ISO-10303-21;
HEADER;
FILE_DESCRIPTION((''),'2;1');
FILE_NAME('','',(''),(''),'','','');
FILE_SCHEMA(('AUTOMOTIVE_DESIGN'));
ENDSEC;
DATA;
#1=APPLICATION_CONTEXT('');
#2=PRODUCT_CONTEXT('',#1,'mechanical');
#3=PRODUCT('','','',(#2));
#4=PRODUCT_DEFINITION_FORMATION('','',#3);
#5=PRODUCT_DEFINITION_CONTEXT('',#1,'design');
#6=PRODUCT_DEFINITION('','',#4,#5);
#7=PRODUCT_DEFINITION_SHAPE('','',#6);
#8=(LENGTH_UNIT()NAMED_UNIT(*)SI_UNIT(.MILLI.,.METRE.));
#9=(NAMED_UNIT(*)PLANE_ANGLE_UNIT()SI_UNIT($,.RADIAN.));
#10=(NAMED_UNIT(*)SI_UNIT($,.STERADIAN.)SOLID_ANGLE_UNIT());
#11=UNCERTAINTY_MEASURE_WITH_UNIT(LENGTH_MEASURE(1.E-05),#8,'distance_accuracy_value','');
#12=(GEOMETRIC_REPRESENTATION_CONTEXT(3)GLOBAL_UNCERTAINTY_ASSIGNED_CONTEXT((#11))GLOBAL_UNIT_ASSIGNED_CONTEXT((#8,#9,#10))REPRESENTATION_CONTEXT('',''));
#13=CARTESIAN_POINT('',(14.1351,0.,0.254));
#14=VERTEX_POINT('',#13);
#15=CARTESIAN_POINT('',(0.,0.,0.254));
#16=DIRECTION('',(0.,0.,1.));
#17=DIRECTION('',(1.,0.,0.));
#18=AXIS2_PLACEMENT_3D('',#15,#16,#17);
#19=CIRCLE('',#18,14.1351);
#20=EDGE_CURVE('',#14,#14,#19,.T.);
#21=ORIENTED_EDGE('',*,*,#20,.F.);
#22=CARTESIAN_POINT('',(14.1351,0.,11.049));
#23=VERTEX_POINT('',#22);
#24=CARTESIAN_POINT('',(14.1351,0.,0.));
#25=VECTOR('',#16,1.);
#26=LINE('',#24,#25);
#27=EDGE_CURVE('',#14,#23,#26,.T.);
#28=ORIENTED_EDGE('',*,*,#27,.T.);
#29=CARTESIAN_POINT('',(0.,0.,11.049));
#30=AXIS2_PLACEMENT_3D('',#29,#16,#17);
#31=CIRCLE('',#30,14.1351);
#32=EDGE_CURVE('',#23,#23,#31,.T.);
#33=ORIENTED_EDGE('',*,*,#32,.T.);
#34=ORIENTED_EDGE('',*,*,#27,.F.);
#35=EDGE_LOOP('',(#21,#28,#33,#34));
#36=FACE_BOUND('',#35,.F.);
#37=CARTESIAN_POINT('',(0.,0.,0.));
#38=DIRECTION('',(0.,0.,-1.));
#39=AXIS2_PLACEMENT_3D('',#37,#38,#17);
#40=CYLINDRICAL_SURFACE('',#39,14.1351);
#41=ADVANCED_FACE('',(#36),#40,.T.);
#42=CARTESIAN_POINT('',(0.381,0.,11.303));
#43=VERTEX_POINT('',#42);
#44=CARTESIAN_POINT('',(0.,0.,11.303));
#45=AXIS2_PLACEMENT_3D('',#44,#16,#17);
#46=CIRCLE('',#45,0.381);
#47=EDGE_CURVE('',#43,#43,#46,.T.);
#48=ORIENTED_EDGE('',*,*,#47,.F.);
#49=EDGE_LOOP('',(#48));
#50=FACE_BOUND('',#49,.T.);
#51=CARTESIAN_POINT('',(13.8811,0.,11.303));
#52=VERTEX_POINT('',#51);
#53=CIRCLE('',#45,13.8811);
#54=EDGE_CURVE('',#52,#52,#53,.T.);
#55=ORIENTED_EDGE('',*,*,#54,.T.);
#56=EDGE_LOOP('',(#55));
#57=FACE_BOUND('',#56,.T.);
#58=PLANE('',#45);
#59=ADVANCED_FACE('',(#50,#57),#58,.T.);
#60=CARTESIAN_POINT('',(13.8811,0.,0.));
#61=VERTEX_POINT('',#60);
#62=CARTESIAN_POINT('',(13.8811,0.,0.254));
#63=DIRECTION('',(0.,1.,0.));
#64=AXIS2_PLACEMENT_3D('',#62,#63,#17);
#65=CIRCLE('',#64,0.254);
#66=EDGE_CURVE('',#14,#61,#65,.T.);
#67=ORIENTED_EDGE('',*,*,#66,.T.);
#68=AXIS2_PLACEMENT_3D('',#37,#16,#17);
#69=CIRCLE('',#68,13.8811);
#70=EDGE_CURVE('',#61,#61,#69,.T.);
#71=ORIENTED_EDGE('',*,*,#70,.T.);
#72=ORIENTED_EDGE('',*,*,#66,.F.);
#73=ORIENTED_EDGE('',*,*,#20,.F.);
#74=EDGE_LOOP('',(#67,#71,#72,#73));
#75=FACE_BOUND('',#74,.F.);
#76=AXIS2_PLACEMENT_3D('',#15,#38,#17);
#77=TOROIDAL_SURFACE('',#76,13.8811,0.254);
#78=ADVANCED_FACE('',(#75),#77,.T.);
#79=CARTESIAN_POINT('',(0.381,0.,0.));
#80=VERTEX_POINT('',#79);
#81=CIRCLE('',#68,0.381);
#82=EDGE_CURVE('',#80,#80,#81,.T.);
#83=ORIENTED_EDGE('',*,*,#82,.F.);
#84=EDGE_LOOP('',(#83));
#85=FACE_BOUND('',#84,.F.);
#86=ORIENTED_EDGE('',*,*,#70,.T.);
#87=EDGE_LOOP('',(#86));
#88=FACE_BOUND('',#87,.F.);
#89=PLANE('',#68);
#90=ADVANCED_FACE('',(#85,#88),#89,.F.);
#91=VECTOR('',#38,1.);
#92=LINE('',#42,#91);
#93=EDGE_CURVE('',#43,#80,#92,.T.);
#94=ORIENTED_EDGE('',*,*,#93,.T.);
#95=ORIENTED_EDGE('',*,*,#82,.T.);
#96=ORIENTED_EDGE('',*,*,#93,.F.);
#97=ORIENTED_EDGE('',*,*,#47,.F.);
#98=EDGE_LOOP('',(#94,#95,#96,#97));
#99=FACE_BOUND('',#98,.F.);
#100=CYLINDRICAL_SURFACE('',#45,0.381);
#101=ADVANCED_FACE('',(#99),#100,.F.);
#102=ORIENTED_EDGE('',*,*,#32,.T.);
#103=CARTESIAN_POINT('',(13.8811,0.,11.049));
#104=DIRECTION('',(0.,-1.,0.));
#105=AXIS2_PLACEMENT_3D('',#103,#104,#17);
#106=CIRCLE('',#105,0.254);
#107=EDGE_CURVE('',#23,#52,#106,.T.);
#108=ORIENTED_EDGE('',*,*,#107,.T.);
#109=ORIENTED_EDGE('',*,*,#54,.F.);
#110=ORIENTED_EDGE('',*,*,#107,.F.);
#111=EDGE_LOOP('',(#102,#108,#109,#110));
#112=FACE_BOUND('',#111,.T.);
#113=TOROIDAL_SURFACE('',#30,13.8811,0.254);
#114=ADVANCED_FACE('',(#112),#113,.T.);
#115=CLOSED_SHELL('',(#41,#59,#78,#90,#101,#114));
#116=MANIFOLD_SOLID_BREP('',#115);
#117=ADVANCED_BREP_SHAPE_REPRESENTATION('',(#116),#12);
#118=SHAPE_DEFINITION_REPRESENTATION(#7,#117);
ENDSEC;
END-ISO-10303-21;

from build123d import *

# Parameters (mm, degrees)
F0_R     = 14.1351
F1_DEPTH = 11.303
F2_R     = 0.254
F3_R     = 0.381
F4_DEPTH = 25.4


with BuildPart() as f1:
    # F0 (on Top) → F1 (new body)
    with BuildSketch(Plane.XY):
        Circle(F0_R)
    extrude(amount=F1_DEPTH)

    # F2
    f2_edges = [f1.edges().sort_by_distance(p)[0] for p in [
        (-14.1351, 0, 11.303),
        (-14.1351, 0, 0),
    ]]
    fillet(f2_edges, radius=F2_R)

    # F3 (on face) → F4 (cut)
    with BuildSketch(Plane.XY.offset(11.303)):
        Circle(F3_R)
    extrude(amount=-F4_DEPTH, mode=Mode.SUBTRACT)


solid = f1.part
